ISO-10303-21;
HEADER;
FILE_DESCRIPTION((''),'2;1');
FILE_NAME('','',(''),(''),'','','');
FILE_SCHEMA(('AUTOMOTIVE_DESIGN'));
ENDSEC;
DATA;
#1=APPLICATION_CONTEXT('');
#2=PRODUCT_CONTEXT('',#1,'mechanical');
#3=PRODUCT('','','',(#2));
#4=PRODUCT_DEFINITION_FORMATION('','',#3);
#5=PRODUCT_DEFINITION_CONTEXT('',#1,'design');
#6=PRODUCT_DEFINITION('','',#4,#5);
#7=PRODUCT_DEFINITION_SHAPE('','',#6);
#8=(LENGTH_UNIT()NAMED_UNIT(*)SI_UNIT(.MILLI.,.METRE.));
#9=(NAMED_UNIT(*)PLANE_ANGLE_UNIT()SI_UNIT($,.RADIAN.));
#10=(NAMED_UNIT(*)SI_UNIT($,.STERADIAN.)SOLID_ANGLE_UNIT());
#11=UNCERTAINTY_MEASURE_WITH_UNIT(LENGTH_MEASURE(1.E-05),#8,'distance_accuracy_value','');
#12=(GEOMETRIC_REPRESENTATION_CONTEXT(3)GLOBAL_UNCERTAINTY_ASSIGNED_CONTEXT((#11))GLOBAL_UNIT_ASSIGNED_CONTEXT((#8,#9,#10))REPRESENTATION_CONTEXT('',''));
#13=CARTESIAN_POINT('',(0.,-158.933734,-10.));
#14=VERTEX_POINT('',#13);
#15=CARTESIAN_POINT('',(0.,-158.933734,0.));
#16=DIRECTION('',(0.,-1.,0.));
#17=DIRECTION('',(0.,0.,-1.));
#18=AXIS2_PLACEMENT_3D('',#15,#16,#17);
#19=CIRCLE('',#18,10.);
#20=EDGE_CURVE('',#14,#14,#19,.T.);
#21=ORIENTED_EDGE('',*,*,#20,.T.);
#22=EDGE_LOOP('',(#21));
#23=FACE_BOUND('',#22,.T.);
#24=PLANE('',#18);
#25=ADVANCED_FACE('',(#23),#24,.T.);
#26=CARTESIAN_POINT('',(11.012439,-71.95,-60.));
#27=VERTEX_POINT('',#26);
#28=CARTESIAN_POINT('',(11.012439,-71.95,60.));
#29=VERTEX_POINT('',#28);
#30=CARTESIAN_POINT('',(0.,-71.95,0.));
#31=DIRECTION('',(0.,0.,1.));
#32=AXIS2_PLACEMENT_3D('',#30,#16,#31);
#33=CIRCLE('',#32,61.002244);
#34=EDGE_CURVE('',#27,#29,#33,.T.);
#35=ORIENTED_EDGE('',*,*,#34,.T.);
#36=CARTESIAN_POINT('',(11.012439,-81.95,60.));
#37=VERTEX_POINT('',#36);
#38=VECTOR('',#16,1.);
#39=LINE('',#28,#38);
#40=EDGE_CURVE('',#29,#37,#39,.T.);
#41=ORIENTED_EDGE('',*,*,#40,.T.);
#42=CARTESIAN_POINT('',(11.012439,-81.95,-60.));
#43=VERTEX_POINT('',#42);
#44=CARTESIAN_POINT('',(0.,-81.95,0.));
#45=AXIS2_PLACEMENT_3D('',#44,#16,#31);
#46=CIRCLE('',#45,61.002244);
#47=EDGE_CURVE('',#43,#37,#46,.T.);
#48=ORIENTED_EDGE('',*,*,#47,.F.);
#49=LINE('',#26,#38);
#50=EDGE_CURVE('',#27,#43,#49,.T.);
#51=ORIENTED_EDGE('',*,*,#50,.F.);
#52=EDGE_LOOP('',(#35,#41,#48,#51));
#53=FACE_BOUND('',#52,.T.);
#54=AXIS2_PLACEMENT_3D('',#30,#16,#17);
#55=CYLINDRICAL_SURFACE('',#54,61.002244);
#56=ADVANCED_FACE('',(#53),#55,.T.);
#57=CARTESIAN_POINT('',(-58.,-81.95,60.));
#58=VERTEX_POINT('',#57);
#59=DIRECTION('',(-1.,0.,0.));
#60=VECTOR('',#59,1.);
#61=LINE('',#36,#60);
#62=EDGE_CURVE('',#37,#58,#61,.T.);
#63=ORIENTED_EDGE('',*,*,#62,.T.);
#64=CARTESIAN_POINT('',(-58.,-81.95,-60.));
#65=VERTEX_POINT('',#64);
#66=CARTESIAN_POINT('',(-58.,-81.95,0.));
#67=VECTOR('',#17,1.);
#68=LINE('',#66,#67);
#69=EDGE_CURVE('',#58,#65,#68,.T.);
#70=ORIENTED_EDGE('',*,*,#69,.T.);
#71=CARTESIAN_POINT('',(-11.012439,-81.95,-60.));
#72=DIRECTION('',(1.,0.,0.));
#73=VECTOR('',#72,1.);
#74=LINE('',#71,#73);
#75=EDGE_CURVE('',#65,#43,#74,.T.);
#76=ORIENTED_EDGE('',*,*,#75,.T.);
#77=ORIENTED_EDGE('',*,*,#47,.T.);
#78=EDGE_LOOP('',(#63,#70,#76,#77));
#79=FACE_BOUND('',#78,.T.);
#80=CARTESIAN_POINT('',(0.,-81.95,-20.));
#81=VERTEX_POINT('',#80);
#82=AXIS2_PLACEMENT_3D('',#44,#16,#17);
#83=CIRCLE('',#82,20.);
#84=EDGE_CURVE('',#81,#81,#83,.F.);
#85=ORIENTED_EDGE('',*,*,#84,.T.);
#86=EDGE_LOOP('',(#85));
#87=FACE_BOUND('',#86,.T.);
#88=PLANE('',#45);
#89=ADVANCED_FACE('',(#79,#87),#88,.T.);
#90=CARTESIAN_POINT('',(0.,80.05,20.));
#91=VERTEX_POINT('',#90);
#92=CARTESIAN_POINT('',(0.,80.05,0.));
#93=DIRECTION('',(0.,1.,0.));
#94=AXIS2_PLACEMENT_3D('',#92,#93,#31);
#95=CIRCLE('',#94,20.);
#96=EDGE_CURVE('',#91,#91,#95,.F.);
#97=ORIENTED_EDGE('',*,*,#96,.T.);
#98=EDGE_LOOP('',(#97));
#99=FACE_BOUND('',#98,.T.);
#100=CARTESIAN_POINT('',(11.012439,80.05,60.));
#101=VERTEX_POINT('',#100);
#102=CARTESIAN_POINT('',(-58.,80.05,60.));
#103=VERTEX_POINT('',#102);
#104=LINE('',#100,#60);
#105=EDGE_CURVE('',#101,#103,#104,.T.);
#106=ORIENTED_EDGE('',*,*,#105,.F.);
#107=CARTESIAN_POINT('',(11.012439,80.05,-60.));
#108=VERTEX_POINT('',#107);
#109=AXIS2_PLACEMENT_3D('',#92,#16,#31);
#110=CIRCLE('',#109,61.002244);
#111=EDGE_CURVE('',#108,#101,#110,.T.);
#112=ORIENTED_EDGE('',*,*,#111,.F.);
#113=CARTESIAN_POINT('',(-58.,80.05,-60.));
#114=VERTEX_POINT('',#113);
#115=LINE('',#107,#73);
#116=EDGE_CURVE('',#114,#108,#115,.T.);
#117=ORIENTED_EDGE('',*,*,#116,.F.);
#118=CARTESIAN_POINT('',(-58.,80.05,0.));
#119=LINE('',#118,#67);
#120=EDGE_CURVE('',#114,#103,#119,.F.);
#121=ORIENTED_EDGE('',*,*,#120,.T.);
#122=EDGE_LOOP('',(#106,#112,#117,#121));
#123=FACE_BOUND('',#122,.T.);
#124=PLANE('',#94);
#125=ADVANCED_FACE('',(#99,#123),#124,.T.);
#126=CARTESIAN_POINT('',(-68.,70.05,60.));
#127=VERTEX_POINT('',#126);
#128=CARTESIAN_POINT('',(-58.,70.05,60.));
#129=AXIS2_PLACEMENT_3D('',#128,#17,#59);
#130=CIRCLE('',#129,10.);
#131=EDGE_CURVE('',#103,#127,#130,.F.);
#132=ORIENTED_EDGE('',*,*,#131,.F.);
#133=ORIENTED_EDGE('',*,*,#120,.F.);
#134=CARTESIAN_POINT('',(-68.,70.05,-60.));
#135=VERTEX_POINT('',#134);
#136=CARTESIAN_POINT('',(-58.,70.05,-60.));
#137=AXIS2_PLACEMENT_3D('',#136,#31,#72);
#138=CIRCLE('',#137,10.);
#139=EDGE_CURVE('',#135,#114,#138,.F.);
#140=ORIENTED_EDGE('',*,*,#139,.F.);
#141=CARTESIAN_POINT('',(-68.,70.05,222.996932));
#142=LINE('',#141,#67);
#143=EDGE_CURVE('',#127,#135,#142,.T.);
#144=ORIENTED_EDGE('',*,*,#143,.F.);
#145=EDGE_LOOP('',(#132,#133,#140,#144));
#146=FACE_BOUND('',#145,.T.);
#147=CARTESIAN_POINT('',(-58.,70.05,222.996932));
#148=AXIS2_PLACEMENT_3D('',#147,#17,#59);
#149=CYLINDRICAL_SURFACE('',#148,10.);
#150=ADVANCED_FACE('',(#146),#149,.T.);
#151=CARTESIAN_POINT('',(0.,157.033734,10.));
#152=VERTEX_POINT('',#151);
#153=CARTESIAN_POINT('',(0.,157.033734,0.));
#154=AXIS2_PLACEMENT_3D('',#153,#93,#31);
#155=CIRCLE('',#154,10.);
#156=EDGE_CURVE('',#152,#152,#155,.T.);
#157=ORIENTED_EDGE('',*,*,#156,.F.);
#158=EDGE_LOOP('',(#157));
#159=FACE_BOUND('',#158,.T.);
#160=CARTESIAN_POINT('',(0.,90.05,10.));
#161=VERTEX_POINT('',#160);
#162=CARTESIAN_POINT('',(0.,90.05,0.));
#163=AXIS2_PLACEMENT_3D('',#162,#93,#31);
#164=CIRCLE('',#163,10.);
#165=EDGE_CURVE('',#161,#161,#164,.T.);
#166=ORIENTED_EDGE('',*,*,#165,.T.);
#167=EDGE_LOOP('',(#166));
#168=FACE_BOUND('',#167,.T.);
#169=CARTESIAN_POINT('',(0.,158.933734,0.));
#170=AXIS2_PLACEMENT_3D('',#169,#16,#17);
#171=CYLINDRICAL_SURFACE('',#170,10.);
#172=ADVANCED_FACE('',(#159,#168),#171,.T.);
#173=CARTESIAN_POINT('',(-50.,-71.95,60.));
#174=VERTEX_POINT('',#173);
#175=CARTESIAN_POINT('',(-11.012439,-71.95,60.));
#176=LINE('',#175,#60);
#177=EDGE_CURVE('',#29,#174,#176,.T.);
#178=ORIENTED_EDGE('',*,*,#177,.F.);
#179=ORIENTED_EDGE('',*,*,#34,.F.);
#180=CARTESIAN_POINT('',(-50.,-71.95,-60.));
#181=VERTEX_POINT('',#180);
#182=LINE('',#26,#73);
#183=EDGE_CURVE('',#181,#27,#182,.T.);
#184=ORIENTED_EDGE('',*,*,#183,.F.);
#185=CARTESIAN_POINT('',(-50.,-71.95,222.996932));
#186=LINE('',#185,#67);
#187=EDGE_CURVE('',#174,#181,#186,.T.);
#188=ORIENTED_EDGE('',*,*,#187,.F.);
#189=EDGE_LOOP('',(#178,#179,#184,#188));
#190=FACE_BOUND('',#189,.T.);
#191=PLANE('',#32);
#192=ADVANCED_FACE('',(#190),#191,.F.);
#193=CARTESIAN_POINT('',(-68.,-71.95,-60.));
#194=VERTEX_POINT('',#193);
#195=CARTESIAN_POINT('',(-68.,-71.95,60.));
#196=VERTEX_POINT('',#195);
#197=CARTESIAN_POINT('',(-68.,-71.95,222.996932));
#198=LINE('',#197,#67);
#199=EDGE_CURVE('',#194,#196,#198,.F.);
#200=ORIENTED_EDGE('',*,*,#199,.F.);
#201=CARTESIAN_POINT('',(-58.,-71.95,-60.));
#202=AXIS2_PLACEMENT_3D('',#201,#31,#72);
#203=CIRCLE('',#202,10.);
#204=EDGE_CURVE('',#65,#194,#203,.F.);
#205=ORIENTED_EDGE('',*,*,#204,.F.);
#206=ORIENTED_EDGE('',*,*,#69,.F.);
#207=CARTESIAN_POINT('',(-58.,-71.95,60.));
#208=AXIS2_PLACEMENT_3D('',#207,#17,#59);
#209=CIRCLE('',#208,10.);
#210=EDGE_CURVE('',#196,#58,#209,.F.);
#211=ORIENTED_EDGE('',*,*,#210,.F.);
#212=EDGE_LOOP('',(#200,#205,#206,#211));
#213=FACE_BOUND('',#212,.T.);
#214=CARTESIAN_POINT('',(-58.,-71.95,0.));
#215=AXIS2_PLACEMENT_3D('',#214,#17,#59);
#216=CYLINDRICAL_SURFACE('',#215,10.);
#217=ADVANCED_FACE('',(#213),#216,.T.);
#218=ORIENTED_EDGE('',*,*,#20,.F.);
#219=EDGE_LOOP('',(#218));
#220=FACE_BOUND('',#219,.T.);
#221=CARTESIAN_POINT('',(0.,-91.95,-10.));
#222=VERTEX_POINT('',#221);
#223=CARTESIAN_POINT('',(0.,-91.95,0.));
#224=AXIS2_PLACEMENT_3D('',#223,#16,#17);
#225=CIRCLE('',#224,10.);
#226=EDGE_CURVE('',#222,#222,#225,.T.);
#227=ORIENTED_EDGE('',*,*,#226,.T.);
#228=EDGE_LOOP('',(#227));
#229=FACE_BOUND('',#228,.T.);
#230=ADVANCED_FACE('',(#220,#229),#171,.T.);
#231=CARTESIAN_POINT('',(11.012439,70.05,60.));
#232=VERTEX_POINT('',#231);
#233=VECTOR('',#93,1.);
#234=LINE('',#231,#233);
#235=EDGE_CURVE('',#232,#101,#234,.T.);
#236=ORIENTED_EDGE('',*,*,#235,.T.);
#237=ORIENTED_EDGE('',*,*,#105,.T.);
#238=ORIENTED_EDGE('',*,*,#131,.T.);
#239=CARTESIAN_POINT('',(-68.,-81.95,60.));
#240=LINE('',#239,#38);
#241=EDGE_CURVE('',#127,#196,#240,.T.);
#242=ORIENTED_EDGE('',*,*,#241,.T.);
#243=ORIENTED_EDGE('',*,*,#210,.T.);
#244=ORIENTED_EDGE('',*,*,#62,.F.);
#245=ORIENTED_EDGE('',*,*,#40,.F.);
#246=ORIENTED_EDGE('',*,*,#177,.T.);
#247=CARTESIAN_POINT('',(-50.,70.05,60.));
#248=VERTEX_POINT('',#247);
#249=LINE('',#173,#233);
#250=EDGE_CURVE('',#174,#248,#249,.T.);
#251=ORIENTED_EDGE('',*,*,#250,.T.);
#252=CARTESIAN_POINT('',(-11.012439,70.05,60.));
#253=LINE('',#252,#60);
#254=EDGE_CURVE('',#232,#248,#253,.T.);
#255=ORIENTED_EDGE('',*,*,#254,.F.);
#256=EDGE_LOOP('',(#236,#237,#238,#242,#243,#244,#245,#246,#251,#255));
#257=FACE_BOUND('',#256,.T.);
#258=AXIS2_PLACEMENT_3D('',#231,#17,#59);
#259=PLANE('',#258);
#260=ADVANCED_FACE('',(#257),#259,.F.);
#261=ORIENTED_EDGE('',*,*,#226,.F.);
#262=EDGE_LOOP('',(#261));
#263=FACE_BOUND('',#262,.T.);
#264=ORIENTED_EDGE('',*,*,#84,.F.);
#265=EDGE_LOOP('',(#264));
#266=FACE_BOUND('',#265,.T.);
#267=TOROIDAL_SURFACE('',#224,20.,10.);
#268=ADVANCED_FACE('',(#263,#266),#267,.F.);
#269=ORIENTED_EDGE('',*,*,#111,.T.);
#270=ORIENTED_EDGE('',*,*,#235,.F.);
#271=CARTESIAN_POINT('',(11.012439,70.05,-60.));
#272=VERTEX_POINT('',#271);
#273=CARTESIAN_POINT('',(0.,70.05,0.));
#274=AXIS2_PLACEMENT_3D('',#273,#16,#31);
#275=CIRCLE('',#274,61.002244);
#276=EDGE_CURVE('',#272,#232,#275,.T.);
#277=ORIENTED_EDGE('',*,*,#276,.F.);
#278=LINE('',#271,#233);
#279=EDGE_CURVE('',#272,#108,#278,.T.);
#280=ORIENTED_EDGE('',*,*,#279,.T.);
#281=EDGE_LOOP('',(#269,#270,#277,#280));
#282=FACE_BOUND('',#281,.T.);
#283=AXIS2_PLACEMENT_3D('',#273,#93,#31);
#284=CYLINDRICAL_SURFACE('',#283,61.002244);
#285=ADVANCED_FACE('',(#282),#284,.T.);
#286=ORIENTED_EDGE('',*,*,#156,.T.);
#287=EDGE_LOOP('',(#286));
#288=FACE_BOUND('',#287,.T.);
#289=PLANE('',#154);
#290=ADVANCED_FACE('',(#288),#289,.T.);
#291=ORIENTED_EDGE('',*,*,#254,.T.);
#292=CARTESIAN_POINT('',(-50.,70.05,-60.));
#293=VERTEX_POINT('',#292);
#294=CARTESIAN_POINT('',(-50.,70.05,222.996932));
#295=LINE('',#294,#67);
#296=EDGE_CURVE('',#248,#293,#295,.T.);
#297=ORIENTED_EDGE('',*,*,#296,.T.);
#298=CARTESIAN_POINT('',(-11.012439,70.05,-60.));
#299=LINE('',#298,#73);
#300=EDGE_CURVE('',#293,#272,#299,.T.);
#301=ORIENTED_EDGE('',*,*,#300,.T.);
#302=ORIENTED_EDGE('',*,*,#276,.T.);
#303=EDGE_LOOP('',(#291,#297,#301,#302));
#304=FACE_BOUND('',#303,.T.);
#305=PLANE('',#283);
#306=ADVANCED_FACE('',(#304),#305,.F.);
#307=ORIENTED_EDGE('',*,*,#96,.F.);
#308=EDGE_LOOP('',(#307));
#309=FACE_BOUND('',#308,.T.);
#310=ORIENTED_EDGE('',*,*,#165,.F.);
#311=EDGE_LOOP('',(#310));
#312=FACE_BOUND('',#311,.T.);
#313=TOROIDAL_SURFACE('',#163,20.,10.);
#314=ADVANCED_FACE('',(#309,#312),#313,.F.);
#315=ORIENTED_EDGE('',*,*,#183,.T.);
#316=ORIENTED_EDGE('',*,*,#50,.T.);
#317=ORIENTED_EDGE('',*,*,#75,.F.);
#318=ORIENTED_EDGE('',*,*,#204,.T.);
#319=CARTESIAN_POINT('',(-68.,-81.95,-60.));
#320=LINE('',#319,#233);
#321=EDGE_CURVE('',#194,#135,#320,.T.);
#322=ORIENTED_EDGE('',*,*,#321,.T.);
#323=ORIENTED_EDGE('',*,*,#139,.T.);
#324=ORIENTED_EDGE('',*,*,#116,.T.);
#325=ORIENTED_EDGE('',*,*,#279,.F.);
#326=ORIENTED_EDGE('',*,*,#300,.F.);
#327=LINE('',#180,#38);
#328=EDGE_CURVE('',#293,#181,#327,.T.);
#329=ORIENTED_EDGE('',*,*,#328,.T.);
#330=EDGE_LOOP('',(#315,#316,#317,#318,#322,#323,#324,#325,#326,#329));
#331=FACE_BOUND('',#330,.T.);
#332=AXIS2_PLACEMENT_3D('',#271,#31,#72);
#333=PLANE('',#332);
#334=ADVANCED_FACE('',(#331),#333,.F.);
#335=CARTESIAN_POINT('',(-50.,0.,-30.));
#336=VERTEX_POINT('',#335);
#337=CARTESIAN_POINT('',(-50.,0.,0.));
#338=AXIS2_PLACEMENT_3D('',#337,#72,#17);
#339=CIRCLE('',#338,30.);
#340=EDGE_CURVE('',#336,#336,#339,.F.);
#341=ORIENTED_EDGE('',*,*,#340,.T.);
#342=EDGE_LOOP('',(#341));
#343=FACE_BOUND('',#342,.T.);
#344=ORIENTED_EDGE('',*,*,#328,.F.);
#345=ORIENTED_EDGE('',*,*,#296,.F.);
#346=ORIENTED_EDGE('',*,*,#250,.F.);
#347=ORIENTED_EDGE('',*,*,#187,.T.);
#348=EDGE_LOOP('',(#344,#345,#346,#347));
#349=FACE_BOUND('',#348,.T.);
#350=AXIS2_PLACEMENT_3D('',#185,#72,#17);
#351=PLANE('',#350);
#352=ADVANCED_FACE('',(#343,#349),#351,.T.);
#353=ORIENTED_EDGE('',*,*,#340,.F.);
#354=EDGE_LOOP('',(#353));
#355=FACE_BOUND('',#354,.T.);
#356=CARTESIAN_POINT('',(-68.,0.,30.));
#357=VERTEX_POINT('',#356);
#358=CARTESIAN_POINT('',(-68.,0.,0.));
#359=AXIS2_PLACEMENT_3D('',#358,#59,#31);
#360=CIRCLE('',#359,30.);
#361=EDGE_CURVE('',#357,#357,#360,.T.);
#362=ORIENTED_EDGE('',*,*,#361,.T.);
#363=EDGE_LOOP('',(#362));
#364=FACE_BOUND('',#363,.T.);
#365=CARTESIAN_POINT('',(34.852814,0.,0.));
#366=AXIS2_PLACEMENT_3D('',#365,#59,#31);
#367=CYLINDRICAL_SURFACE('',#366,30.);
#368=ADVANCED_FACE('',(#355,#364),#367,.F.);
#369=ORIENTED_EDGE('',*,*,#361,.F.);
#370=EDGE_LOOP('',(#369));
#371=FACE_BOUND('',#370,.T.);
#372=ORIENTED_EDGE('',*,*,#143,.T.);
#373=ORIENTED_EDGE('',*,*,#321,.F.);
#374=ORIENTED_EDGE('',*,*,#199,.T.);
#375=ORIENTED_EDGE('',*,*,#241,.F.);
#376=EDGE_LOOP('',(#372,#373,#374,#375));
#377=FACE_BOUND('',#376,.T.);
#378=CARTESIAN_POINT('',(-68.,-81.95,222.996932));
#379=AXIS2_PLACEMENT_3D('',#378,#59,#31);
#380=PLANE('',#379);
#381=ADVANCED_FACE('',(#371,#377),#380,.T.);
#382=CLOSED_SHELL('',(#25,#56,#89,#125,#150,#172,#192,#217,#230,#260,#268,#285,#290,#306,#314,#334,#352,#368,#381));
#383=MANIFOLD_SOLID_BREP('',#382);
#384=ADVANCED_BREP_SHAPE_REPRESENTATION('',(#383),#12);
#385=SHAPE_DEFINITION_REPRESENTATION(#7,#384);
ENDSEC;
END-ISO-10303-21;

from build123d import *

# Parameters (mm, degrees)
SWEEP1_PROFILE_R    = 10
CUT_EXTRUDE1_START  = -5.9
SKETCH13_R          = 10
CUT_EXTRUDE1_DEPTH  = 5.9
SKETCH14_R          = 10
BOSS_EXTRUDE1_DEPTH = 4
BOSS_EXTRUDE2_DEPTH = 10
BOSS_EXTRUDE3_DEPTH = 120
SKETCH18_W          = 120
SKETCH18_H          = 142
CUT_EXTRUDE2_DEPTH  = 203.932082269
SKETCH19_R          = 30
CUT_EXTRUDE3_DEPTH  = 18
FILLET1_R           = 10


with BuildPart() as part:
    # Sweep1: sweep along a path in Sketch2
    with BuildLine(Plane(origin=(0, 0, 0), x_dir=(0, 0, -1), z_dir=(1, 0, 0))) as sweep1_path:
        Line((0, 158.93373393), (0, -158.93373393))
    # Sweep1 profile (on start of the path) → Sweep1 (sweep)
    with BuildSketch(Plane(origin=(0, 158.93373393, 0), x_dir=(0, 0, -1), z_dir=(0, -1, 0))):
        Circle(SWEEP1_PROFILE_R)
    sweep(path=sweep1_path.line)

    # Sketch13 → Cut-Extrude1 (cut)
    with BuildSketch(Plane(origin=(0, 158.93373393, 0), x_dir=(1, 0, 0), z_dir=(0, 1, 0)).offset(CUT_EXTRUDE1_START)):
        with Locations(Location((0, 0, 0), (0, 0, 90))):
            Circle(SKETCH13_R)
    extrude(amount=CUT_EXTRUDE1_DEPTH, mode=Mode.SUBTRACT)

    # Sketch14 → Boss-Extrude1 (add)
    with BuildSketch(Plane(origin=(0, 153.03373393, 0), x_dir=(1, 0, 0), z_dir=(0, 1, 0))):
        with Locations(Location((0, 0, 0), (0, 0, 90))):
            Circle(SKETCH14_R)
    extrude(amount=BOSS_EXTRUDE1_DEPTH)

    # Sketch16 → Boss-Extrude2 (add)
    with BuildSketch(Plane(origin=(0, 80.05, 0), x_dir=(-1, 0, 0), z_dir=(0, -1, 0))):
        with BuildLine():
            Line((11.012438692, 60), (60, 60))
            Line((60, 60), (60, -60))
            Line((60, -60), (11.012438692, -60))
            Line((11.012438692, -60), (-11.012438692, -60))
            ThreePointArc((-11.012438692, -60), (-61.00224427, 0), (-11.012438692, 60))
            Line((-11.012438692, 60), (11.012438692, 60))
        make_face()
    boss_extrude2 = extrude(amount=BOSS_EXTRUDE2_DEPTH)

    # Mirror1: Boss-Extrude2 across plane
    add(boss_extrude2.mirror(Plane(origin=(0, -0.95, 0), x_dir=(0, 0, 1), z_dir=(0, -1, 0))))

    # Sketch17 → Boss-Extrude3 (add)
    with BuildSketch(Plane(origin=(0, 0, -60), x_dir=(-1, 0, 0), z_dir=(0, 0, -1))):
        Polygon((60, -71.95), (50, -71.95), (50, 70.05), (60, 70.05), (60, 80.05), (68, 80.05), (68, -81.95), (60, -81.95), align=None)
    extrude(amount=-BOSS_EXTRUDE3_DEPTH)

    # Sketch18 → Cut-Extrude2 (cut, through all)
    with BuildSketch(Plane(origin=(-50, 0, 0), x_dir=(0, 0, -1), z_dir=(1, 0, 0))):
        with Locations((0, -0.95)):
            Rectangle(SKETCH18_W, SKETCH18_H)
    extrude(amount=CUT_EXTRUDE2_DEPTH, mode=Mode.SUBTRACT)

    # Sketch19 → Cut-Extrude3 (cut)
    with BuildSketch(Plane.ZY.offset(68)):
        Circle(SKETCH19_R)
    extrude(amount=-CUT_EXTRUDE3_DEPTH, mode=Mode.SUBTRACT)

    # Fillet1
    fillet1_edges = [part.edges().sort_by_distance(p)[0] for p in [
        (0, 80.05, 10),
        (0, -81.95, 10),
        (-68, 80.05, 0),
        (-68, -81.95, 0),
    ]]
    fillet(fillet1_edges, radius=FILLET1_R)


solid = part.part
